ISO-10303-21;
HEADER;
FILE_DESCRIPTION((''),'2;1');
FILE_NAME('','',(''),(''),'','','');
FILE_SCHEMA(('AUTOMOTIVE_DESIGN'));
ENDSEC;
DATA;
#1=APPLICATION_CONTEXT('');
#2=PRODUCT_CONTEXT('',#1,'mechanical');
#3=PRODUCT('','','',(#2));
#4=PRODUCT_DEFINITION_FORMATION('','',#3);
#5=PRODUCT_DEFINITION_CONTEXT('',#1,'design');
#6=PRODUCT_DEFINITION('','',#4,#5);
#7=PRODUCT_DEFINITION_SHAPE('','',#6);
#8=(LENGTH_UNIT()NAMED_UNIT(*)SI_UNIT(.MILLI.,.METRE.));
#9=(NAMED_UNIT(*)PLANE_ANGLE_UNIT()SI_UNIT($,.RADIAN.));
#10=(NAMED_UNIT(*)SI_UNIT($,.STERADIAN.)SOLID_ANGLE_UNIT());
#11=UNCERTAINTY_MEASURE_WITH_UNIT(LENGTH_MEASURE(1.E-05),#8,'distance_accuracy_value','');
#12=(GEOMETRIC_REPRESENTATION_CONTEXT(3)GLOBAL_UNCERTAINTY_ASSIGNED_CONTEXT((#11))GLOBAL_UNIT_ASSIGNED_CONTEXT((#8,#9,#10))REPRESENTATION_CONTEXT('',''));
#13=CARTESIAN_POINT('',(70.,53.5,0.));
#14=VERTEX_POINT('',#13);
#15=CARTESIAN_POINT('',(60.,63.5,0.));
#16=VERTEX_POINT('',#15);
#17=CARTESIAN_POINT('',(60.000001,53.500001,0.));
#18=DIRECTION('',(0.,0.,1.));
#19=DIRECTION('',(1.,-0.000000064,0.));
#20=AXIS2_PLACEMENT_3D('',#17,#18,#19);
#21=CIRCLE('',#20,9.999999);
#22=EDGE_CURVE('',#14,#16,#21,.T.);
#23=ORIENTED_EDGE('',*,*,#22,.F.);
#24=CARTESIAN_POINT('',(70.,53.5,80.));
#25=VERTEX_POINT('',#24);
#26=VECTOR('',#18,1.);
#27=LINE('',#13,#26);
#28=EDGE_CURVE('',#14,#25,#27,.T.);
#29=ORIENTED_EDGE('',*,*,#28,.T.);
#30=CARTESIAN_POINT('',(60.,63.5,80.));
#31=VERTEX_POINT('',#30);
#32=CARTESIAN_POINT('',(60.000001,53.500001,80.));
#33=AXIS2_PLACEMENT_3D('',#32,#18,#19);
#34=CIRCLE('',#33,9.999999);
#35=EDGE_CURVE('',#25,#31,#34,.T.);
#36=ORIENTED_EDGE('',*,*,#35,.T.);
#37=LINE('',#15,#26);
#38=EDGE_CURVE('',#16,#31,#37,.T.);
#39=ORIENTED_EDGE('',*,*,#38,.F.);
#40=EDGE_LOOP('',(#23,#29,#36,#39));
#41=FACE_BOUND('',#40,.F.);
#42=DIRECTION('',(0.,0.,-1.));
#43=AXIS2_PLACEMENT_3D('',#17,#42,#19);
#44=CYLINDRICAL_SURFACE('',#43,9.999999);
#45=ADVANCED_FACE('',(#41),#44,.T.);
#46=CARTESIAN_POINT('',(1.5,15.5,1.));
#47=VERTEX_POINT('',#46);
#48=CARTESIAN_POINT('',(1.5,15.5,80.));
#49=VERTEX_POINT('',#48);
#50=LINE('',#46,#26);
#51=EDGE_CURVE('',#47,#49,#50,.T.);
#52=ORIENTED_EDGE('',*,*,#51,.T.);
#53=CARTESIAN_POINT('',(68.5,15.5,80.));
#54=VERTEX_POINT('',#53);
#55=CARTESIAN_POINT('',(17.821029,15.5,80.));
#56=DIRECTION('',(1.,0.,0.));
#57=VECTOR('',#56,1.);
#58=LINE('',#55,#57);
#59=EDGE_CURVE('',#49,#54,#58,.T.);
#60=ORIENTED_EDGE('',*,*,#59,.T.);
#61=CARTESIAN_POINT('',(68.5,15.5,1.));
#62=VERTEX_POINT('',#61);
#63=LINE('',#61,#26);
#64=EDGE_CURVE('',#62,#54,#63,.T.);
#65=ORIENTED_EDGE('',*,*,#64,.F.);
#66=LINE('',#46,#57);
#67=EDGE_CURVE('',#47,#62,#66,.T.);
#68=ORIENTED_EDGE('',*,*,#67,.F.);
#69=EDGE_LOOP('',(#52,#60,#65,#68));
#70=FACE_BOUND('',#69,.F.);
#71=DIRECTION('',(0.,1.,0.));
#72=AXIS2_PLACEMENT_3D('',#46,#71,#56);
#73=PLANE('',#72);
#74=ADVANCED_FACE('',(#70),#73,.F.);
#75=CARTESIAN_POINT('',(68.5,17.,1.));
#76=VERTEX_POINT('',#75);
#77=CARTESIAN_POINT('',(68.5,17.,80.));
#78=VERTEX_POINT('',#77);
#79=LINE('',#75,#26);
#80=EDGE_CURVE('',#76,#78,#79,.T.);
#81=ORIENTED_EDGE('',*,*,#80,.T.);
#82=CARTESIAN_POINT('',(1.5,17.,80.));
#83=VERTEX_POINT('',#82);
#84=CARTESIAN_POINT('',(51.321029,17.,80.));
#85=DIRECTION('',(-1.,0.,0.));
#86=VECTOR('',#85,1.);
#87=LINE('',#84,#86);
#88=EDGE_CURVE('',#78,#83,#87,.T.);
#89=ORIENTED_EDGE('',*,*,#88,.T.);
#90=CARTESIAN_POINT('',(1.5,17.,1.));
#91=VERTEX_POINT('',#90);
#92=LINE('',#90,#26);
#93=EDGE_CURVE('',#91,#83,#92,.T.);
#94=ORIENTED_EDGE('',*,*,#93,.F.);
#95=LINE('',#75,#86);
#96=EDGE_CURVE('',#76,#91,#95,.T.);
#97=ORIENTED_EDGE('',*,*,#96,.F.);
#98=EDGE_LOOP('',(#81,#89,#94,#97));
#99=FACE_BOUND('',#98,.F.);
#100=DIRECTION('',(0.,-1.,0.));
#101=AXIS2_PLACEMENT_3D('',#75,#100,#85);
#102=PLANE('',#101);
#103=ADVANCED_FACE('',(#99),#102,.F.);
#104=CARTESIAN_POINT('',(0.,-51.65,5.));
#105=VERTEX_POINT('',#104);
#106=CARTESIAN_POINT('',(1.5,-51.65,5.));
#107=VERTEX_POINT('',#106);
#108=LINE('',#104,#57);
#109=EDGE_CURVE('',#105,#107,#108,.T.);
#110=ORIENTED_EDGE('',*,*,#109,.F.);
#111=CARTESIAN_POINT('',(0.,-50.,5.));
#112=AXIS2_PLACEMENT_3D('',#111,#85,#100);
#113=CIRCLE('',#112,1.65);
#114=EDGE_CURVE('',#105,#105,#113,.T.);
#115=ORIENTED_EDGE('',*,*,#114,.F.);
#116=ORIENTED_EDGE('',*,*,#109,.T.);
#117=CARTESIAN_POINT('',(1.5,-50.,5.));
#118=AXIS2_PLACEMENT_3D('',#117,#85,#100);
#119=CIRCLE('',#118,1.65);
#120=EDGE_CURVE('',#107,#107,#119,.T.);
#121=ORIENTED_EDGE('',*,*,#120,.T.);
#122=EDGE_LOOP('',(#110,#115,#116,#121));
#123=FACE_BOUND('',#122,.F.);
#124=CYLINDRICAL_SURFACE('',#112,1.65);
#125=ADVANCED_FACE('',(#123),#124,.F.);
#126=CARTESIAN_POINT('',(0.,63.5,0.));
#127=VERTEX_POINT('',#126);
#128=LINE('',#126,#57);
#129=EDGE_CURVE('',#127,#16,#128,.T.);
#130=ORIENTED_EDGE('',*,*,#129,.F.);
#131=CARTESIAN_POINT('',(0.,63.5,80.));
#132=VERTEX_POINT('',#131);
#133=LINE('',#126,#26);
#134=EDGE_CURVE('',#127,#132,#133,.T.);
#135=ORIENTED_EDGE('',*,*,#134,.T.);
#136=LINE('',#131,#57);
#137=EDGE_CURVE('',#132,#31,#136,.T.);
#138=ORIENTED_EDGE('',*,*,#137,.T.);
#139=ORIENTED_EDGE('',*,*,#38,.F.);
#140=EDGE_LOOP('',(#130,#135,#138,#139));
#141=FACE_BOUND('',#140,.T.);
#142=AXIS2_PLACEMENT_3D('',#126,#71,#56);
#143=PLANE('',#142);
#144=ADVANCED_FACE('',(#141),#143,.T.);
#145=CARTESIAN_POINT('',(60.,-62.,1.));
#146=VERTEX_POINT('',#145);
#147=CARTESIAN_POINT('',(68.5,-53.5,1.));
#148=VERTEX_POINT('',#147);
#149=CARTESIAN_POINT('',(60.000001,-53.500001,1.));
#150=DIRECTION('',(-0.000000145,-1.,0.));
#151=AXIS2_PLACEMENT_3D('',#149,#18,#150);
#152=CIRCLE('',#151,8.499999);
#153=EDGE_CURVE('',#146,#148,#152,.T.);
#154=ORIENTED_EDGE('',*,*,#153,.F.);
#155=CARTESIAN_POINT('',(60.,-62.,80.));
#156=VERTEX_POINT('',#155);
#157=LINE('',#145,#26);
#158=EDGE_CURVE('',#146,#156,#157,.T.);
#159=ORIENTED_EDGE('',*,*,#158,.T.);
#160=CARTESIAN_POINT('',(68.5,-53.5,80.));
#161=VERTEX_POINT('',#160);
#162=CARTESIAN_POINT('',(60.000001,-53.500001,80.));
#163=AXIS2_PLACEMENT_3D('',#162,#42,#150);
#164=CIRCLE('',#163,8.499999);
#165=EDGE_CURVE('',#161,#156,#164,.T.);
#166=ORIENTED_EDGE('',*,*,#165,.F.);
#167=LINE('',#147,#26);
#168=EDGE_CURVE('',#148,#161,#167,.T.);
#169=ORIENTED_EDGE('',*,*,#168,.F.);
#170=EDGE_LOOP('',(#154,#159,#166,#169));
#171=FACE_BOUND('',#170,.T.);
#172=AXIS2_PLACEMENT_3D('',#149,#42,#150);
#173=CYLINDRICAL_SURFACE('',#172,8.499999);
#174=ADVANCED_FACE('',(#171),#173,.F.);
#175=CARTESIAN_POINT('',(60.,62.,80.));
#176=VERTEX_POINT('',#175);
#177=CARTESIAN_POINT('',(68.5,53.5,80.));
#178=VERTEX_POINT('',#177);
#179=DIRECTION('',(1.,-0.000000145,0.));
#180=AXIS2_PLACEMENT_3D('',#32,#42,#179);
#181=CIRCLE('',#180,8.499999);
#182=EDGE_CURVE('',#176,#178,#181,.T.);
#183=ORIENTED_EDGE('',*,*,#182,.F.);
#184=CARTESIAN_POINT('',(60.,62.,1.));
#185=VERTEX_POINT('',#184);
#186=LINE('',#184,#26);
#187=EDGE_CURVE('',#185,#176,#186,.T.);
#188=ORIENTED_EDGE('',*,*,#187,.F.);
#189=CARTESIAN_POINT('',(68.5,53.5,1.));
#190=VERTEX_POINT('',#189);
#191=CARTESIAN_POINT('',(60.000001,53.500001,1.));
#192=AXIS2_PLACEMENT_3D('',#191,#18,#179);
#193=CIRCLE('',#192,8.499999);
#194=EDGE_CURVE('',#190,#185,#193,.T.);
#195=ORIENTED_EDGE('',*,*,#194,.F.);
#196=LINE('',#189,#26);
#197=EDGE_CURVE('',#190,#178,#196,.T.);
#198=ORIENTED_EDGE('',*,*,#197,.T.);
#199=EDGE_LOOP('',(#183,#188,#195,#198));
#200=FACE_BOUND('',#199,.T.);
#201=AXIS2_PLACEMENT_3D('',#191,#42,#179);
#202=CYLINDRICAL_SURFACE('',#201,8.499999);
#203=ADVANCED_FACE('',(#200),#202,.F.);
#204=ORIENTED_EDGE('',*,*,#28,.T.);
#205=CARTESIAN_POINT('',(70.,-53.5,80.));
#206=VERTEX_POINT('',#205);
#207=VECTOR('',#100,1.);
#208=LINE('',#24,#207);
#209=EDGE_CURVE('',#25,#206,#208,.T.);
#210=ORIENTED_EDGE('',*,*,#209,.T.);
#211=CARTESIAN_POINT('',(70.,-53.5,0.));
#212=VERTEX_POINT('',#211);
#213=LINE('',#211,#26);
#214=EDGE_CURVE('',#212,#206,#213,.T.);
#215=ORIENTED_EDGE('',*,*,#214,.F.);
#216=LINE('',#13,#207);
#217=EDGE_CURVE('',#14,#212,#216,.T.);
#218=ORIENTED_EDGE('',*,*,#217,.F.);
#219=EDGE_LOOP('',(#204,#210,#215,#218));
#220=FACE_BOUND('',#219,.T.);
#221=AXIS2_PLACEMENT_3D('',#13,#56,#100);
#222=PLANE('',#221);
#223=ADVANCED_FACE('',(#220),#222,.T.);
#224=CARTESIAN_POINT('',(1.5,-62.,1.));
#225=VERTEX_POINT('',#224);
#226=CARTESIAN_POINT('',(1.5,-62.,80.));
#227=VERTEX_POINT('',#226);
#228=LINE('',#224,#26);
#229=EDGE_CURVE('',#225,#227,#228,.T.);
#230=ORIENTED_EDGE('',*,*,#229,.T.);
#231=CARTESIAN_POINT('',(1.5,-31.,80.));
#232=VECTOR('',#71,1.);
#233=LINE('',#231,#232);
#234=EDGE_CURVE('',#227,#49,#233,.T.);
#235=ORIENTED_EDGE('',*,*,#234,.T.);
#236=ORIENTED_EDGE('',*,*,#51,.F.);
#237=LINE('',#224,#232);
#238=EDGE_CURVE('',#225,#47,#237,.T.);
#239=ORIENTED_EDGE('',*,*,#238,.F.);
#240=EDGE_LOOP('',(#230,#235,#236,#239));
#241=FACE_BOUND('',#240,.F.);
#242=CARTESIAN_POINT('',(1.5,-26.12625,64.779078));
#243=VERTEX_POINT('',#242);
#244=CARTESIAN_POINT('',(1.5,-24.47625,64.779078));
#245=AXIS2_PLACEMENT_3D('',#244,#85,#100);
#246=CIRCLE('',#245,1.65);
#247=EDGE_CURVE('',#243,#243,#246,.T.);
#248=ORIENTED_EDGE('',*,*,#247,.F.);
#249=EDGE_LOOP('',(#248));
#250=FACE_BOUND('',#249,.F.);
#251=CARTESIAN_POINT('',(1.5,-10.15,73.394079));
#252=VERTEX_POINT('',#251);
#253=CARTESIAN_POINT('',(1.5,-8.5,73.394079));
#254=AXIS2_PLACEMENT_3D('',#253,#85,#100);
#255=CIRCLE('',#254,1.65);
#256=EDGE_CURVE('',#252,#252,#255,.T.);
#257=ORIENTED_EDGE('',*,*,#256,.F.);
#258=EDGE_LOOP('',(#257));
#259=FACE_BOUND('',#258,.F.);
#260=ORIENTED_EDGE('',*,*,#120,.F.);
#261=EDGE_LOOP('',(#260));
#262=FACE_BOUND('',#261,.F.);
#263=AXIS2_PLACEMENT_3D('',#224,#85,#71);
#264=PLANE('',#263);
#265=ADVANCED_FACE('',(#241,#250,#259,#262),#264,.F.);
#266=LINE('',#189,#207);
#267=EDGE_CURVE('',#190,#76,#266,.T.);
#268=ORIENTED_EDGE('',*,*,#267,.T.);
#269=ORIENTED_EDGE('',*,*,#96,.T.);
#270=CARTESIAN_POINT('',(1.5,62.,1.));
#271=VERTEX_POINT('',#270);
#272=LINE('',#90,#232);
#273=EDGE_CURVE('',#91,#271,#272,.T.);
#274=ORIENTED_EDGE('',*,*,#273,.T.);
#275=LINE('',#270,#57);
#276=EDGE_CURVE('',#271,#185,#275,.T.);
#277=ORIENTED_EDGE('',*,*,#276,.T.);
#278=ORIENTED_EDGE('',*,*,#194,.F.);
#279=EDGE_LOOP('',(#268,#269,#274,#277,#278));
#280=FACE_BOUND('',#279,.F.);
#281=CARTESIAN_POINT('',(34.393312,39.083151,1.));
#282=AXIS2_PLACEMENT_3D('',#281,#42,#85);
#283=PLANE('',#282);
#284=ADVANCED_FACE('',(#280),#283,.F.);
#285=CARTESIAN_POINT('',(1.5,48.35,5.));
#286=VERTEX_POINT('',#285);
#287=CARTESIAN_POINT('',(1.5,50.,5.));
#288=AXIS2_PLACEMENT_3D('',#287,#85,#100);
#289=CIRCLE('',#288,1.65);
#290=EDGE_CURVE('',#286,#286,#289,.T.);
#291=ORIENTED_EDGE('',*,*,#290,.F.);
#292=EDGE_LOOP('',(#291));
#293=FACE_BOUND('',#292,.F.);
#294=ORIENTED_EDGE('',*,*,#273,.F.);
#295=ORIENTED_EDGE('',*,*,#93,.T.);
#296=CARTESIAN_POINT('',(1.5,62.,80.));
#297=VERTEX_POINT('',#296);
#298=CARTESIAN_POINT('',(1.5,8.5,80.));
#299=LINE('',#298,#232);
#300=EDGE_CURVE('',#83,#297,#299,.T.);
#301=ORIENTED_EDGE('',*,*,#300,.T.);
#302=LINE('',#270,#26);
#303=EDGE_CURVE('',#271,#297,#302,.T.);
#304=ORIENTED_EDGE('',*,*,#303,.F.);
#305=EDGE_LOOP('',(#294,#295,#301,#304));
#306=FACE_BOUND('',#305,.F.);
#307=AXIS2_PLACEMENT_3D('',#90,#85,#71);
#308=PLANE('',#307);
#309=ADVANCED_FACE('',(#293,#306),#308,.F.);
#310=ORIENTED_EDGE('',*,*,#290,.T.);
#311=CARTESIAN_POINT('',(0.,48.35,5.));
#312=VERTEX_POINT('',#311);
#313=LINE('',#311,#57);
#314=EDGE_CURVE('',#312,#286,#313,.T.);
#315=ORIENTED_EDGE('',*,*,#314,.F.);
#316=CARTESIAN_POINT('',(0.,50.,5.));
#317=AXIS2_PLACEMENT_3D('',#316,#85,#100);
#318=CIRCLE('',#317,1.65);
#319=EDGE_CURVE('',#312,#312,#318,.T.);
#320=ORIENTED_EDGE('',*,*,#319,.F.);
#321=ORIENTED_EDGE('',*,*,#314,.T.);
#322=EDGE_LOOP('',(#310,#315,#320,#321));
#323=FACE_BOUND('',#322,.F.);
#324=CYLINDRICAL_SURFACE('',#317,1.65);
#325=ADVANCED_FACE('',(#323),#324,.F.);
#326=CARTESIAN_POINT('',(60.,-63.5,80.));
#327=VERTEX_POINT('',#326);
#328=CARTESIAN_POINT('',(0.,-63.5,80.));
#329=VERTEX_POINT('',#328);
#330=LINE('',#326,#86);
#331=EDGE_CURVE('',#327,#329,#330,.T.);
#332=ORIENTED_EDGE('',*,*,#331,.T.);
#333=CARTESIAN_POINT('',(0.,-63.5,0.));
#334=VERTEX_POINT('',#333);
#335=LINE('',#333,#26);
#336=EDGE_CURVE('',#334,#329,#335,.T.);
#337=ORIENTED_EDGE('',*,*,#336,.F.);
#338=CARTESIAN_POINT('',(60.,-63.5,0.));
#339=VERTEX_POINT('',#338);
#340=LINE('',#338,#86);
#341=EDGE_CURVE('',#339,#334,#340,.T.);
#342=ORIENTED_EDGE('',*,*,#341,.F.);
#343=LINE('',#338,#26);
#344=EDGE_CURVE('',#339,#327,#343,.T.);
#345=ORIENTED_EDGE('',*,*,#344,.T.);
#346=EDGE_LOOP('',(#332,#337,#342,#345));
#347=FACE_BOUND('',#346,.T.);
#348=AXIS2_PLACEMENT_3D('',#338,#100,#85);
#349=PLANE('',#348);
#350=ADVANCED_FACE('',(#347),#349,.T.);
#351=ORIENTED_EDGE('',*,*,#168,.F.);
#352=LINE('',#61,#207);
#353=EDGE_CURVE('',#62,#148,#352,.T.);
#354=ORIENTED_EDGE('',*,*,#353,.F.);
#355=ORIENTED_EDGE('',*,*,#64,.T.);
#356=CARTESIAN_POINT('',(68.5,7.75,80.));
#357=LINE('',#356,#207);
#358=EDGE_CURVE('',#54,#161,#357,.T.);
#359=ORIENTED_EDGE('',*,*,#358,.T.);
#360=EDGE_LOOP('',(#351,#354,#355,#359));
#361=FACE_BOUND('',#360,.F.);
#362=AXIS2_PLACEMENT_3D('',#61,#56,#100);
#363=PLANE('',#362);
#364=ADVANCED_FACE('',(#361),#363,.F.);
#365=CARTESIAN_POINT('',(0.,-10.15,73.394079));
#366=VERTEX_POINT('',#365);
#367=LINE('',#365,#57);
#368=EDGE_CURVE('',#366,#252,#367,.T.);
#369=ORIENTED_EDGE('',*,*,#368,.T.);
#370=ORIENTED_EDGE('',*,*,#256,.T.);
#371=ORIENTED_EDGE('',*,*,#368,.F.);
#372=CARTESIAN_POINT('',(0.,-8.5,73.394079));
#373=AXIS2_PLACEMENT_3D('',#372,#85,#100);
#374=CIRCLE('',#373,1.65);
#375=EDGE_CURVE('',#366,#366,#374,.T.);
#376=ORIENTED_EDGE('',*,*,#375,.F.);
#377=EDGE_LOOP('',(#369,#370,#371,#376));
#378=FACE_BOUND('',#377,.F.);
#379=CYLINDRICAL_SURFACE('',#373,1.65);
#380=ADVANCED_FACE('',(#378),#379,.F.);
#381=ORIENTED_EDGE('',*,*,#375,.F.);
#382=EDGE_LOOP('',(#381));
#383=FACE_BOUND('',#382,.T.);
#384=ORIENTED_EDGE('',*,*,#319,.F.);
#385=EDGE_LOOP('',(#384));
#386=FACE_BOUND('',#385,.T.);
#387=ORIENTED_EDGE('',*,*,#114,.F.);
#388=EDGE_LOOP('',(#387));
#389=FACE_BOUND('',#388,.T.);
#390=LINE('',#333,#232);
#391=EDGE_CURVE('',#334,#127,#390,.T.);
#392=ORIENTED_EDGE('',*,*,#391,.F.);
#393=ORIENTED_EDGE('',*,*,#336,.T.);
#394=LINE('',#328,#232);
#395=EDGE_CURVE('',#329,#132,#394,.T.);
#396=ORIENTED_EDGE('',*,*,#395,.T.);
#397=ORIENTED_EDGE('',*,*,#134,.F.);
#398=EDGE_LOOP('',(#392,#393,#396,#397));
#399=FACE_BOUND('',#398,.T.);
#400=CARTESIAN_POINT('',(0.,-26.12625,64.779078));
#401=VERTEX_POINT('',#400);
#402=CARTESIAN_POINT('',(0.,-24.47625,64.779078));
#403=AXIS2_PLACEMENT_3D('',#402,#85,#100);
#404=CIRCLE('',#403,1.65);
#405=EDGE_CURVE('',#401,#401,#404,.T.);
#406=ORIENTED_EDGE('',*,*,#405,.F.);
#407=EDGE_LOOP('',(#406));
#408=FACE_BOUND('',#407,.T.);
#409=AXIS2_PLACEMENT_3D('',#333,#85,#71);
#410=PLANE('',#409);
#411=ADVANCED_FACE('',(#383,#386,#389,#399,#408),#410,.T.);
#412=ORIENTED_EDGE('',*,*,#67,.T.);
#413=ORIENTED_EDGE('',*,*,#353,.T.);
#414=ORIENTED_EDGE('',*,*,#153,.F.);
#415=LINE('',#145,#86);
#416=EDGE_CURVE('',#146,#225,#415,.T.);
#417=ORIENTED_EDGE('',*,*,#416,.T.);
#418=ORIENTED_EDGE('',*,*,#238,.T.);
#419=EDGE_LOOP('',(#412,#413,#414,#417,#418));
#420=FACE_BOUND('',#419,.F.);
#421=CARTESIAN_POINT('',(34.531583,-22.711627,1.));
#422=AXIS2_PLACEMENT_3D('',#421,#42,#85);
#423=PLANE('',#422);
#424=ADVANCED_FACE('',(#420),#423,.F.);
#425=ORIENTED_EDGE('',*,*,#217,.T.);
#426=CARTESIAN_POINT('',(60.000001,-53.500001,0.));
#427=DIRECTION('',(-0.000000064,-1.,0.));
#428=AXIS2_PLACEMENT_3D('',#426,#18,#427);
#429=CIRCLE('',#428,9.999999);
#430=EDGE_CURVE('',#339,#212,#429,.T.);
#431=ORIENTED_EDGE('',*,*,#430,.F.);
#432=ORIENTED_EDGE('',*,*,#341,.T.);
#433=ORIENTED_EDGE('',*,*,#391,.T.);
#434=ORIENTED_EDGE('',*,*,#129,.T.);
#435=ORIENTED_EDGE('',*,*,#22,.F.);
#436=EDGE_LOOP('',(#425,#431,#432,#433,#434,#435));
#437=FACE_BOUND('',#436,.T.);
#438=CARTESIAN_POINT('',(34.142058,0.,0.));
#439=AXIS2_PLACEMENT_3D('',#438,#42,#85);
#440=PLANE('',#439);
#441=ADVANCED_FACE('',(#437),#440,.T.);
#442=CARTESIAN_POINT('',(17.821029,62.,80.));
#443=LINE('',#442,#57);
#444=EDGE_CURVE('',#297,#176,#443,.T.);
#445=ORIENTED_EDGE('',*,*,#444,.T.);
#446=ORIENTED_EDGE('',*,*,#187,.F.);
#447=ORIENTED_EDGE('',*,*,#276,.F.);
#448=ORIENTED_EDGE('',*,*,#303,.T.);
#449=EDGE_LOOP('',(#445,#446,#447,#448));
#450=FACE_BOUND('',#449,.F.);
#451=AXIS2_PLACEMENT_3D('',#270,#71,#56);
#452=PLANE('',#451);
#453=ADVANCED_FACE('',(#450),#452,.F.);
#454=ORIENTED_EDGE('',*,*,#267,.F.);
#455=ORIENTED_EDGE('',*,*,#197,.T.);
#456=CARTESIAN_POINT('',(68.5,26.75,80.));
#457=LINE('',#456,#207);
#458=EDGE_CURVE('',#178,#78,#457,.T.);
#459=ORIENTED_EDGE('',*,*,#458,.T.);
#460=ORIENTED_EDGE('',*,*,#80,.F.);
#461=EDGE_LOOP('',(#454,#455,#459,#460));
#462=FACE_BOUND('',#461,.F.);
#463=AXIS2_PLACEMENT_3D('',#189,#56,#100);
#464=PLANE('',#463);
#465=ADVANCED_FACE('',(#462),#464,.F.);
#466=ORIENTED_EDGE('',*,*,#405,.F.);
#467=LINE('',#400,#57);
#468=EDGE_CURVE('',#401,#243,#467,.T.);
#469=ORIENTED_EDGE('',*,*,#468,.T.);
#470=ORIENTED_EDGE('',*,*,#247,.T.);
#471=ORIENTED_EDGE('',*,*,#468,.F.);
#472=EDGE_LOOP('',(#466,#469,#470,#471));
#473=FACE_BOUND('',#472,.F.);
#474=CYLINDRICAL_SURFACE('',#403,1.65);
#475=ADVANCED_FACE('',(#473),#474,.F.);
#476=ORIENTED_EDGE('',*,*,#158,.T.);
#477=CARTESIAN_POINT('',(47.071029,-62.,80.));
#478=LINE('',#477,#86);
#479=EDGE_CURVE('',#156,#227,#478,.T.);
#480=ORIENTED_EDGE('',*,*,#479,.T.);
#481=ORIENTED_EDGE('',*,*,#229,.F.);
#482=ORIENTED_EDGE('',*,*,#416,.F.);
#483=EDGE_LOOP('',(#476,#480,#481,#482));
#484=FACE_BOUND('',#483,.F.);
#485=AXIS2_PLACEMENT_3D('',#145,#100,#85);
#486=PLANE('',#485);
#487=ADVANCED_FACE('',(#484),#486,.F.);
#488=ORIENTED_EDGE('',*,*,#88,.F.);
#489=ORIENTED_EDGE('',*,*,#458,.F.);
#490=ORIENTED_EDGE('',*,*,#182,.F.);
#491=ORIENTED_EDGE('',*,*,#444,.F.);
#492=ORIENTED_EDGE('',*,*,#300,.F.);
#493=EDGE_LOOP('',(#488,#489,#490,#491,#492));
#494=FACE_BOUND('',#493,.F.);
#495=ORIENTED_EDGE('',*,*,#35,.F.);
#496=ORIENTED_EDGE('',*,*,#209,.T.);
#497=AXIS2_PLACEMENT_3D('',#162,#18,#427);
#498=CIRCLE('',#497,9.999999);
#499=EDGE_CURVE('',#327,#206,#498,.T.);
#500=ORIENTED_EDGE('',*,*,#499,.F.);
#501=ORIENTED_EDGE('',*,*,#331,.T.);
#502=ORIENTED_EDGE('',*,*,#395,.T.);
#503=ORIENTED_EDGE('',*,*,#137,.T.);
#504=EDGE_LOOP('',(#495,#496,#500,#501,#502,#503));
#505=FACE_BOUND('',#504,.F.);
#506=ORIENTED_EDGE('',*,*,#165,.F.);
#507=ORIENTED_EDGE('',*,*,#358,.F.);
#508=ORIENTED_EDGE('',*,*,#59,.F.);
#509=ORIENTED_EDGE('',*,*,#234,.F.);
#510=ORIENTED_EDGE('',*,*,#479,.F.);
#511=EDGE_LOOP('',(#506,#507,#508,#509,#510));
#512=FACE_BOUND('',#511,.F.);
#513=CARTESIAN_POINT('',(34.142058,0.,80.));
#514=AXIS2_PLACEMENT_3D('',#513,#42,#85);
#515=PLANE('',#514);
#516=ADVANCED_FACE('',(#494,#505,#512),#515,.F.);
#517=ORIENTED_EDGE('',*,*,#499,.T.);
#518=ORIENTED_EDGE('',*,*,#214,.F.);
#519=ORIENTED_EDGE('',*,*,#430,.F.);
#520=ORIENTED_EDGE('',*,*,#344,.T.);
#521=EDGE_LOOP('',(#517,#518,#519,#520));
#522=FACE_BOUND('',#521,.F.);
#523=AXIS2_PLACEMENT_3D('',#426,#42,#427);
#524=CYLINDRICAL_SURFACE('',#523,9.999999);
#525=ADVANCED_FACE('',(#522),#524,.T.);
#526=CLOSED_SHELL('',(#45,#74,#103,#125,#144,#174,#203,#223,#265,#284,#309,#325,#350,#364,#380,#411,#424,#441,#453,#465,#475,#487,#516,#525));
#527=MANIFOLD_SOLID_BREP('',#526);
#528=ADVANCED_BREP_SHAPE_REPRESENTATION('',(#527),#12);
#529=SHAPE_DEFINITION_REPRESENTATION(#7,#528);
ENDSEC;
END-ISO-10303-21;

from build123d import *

# Parameters (mm, degrees)
PAD_DEPTH       = 80
POCKET_DEPTH    = 79.001
SKETCH002_R     = 1.65
POCKET001_DEPTH = 5


with BuildPart() as part:
    # Sketch → Pad (new body)
    with BuildSketch(Plane.XY):
        with BuildLine():
            Line((0, 63.5), (60, 63.5))
            ThreePointArc((70, 53.5), (67.071068, 60.571068), (60, 63.5))
            Line((70, 53.5), (70, -53.5))
            ThreePointArc((60, -63.5), (67.071068, -60.571068), (70, -53.5))
            Line((60, -63.5), (0, -63.5))
            Line((0, -63.5), (0, 63.5))
        make_face()
    extrude(amount=PAD_DEPTH)

    # Sketch001 → Pocket (cut, through all)
    with BuildSketch(Plane.XY.offset(1)):
        with BuildLine():
            Line((1.5, 62), (60, 62))
            ThreePointArc((68.5, 53.5), (66.010408, 59.510408), (60, 62))
            Line((68.5, 53.5), (68.5, 17))
            Line((68.5, 17), (1.5, 17))
            Line((1.5, 17), (1.5, 62))
        make_face()
        with BuildLine():
            Line((1.5, 15.5), (68.5, 15.5))
            Line((68.5, 15.5), (68.5, -53.5))
            ThreePointArc((60, -62), (66.010408, -59.510408), (68.5, -53.5))
            Line((60, -62), (1.5, -62))
            Line((1.5, -62), (1.5, 15.5))
        make_face()
    extrude(amount=POCKET_DEPTH, mode=Mode.SUBTRACT)

    # Sketch002 → Pocket001 (cut)
    with BuildSketch(Plane(origin=(0, 0, 0), x_dir=(0, -1, 0), z_dir=(-1, 0, 0))):
        with Locations((-50, 5)):
            Circle(SKETCH002_R)
        with Locations((50, 5)):
            Circle(SKETCH002_R)
        with Locations((8.5, 73.394079)):
            Circle(SKETCH002_R)
        with Locations((24.47625, 64.779078)):
            Circle(SKETCH002_R)
    extrude(amount=-POCKET001_DEPTH, mode=Mode.SUBTRACT)


solid = part.part
